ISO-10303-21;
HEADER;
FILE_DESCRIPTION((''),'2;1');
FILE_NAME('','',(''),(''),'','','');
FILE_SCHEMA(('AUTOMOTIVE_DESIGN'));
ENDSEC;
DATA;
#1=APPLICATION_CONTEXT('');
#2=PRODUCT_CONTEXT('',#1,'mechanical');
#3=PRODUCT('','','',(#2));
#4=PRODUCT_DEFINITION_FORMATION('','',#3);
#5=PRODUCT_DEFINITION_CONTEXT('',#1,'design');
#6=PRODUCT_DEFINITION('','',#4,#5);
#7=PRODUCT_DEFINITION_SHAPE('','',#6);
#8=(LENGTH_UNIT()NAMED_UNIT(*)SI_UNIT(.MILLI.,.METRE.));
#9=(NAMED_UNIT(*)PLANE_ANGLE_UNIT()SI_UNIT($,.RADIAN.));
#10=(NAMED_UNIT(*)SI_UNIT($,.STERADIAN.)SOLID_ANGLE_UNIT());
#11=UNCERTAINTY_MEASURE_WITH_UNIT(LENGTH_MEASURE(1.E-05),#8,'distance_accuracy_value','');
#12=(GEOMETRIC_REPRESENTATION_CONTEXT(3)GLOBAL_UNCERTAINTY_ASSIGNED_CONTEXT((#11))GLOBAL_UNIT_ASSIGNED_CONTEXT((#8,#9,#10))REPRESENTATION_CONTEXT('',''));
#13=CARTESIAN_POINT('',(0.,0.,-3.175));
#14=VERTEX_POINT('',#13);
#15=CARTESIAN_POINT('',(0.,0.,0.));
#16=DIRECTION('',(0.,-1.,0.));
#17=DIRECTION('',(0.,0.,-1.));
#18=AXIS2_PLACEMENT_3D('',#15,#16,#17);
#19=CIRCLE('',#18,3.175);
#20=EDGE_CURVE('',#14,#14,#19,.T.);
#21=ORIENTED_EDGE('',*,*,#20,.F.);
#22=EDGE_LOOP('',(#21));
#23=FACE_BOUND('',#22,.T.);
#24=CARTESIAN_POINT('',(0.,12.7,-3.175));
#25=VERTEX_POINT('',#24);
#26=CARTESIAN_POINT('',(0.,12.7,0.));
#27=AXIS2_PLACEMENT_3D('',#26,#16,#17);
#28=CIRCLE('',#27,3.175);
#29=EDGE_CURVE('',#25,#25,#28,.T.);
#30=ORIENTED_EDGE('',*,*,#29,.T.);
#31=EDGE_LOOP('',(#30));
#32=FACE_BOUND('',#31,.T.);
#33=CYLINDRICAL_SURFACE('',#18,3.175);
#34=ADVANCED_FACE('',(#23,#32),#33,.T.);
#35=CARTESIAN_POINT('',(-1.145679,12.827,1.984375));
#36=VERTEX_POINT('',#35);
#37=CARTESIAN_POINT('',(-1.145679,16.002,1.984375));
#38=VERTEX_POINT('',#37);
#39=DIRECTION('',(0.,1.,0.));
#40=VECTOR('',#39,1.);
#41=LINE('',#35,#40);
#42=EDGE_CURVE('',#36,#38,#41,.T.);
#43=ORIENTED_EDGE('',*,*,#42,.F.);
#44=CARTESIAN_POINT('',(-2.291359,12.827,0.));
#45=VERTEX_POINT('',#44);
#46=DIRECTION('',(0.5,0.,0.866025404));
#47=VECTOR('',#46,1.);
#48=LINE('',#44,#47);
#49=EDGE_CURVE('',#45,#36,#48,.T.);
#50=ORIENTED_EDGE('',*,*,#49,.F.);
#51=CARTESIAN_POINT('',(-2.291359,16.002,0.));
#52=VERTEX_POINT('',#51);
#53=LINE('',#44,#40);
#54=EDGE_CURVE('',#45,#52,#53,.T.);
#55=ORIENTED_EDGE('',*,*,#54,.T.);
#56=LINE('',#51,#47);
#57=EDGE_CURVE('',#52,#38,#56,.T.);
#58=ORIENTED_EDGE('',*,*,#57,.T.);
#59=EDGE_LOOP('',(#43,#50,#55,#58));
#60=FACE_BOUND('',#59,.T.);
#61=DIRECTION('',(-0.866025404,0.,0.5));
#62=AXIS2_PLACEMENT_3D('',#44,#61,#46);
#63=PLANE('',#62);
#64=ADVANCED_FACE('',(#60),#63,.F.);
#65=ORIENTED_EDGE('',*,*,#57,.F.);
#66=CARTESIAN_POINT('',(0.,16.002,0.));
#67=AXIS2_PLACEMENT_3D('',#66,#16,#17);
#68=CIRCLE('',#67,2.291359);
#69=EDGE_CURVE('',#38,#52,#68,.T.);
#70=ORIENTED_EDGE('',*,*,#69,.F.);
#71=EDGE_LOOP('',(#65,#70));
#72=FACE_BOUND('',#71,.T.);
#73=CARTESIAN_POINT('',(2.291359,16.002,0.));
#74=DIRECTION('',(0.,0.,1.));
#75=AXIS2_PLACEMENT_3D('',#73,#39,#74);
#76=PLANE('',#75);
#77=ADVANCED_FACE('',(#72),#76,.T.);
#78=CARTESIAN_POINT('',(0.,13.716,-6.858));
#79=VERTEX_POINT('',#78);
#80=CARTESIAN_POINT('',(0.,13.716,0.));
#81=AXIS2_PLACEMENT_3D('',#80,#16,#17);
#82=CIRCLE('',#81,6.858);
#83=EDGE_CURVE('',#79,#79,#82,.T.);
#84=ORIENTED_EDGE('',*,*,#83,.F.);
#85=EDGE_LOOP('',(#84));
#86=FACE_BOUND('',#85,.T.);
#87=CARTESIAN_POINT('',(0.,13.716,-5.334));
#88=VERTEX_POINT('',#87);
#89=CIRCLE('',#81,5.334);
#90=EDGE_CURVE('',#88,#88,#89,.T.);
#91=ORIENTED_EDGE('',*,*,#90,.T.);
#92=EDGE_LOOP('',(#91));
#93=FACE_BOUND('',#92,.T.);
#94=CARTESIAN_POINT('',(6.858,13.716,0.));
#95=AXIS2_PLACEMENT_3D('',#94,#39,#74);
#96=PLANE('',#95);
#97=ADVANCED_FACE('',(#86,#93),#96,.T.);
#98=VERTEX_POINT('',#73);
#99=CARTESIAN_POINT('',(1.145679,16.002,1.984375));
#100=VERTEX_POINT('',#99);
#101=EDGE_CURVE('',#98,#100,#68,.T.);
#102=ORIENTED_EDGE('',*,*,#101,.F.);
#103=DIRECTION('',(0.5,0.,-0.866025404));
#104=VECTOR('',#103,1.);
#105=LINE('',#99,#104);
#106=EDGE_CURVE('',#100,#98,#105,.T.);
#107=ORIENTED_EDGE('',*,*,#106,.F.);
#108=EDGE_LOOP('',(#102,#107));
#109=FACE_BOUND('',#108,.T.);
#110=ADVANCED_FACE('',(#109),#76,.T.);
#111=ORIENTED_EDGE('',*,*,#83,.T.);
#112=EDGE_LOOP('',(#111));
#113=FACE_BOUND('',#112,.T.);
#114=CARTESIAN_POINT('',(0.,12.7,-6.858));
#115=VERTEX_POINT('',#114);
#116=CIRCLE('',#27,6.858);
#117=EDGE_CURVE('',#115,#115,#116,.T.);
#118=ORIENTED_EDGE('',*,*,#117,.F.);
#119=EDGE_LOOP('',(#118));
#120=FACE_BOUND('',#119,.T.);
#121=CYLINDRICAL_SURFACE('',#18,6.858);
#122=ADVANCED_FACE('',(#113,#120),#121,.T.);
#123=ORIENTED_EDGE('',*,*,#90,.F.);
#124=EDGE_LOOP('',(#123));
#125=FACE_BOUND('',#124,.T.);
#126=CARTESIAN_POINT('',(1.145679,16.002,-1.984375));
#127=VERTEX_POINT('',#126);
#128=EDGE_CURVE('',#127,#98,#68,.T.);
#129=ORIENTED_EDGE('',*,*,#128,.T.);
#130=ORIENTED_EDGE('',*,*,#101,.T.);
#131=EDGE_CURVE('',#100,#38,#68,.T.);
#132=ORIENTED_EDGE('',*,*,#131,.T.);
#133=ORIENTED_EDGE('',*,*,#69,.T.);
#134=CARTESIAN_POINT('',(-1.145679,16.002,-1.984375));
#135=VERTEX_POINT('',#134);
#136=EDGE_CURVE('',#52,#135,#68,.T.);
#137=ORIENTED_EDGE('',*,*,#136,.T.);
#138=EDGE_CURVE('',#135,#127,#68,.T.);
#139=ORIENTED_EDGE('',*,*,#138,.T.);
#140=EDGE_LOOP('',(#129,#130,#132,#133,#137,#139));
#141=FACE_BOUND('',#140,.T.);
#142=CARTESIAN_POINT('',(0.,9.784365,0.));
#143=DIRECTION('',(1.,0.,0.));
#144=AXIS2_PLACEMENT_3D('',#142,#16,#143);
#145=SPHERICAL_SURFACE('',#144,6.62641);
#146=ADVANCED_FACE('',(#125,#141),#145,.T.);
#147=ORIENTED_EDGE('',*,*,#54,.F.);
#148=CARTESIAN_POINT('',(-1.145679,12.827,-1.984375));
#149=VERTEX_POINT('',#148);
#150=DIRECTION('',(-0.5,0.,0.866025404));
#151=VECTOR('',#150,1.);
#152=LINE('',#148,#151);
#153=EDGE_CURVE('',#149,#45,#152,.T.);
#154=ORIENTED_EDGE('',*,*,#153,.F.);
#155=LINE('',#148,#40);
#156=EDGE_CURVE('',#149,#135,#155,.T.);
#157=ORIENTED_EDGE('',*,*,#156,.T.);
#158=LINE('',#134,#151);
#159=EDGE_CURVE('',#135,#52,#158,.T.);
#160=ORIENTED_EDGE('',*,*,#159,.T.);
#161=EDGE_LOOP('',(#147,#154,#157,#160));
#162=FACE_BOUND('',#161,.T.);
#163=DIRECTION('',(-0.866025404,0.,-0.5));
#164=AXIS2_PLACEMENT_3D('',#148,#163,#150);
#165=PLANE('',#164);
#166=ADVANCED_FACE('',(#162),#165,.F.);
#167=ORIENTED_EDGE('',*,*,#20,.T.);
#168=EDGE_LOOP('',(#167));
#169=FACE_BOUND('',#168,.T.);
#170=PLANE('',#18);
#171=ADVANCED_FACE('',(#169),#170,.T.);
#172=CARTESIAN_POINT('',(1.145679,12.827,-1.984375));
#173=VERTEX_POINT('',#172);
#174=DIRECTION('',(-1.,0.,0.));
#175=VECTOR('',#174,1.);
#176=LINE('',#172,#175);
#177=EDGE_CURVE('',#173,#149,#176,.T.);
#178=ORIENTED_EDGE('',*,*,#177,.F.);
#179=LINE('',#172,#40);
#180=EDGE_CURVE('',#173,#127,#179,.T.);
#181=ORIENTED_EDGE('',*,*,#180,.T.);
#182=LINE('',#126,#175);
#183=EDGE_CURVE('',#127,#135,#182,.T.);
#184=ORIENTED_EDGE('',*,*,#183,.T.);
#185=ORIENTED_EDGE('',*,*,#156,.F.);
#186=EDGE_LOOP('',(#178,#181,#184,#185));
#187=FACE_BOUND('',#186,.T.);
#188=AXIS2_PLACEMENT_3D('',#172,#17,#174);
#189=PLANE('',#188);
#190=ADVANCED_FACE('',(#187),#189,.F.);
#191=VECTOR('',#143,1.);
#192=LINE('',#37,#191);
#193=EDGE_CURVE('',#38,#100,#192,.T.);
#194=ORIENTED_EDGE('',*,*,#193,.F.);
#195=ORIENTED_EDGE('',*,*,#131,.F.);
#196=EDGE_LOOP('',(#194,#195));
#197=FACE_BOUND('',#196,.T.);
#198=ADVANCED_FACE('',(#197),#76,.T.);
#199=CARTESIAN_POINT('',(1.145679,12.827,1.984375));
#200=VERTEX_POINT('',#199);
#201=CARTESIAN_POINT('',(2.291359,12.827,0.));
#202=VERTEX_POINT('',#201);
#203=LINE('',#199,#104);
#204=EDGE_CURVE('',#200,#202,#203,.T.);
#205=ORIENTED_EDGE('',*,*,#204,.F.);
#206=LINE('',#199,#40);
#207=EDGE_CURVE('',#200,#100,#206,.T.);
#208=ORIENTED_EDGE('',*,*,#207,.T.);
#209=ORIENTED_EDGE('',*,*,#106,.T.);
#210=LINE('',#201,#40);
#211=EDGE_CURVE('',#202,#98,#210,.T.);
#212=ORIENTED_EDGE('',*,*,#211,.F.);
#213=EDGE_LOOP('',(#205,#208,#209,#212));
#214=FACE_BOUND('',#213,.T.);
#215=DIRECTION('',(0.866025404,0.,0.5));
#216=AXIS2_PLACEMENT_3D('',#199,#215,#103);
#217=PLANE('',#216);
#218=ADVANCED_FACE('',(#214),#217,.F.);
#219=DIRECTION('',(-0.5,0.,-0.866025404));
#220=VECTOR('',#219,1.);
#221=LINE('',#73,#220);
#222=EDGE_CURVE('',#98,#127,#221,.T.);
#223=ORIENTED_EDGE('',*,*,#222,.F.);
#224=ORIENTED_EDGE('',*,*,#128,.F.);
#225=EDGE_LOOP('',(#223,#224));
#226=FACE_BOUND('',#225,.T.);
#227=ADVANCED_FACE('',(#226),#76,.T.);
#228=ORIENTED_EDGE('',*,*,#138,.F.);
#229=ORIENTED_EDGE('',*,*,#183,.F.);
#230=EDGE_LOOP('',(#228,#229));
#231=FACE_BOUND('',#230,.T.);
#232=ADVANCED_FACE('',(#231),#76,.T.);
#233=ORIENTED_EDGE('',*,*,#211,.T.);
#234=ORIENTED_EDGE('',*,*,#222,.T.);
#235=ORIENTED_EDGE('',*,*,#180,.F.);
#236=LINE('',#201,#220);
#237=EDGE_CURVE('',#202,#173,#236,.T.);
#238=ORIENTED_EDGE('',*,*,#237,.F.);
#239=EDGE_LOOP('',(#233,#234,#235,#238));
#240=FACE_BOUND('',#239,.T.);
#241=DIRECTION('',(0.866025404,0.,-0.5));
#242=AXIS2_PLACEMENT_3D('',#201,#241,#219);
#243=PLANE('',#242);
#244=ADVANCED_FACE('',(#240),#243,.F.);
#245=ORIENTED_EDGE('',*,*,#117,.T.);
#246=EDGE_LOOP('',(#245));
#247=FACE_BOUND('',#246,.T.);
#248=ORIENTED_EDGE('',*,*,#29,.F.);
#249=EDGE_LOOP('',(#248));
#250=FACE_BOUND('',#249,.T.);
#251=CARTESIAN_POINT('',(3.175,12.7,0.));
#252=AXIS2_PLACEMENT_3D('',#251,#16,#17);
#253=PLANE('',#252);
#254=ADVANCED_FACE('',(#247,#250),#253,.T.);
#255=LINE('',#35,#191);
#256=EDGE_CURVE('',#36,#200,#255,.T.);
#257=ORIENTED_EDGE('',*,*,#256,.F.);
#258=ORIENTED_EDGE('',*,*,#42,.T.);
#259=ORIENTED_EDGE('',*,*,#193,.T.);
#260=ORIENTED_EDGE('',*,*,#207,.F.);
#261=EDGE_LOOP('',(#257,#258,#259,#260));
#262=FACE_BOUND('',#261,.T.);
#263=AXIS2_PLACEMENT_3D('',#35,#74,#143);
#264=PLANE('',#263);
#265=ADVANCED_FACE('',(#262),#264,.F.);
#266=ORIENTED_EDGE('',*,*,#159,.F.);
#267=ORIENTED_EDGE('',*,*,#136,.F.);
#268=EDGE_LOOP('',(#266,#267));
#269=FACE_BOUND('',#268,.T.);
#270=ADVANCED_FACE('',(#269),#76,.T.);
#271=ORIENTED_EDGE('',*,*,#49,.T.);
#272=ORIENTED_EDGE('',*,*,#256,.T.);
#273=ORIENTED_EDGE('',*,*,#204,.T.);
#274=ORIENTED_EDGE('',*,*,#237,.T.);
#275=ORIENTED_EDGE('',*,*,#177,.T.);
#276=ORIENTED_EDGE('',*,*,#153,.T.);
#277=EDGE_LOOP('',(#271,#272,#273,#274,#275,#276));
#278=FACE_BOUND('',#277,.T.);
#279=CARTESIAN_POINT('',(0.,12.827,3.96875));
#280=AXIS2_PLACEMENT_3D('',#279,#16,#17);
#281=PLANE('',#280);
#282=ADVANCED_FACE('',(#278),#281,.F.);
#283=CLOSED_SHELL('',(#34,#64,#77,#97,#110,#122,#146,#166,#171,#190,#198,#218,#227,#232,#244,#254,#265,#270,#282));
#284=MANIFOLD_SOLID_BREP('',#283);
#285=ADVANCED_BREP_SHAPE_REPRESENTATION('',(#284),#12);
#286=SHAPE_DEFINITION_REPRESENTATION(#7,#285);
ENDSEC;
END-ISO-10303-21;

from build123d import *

# Parameters (mm, degrees)
HEX_CUT_DEPTH = 3.175


with BuildPart() as part:
    # Sketch1 → Screw revolve (revolve)
    with BuildSketch(Plane.XY, mode=Mode.PRIVATE) as screw_revolve_sk:
        with BuildLine():
            Line((0, 0), (3.175, 0))
            Line((3.175, 0), (3.175, 12.7))
            Line((3.175, 12.7), (6.858, 12.7))
            Line((6.858, 12.7), (6.858, 13.716))
            Line((6.858, 13.716), (5.334, 13.716))
            ThreePointArc((5.334, 13.716), (3.980323293, 15.082132143), (2.291358881, 16.002))
            Line((2.291358881, 16.002), (0, 16.002))
            Line((0, 16.002), (0, 0))
        make_face()
    revolve(screw_revolve_sk.sketch.rotate(Axis((0, 0, 0), (0, 1, 0)), 90), axis=Axis((0, 0, 0), (0, 1, 0)))

    # Sketch2 → Hex Cut (cut)
    with BuildSketch(Plane(origin=(0, 16.002, 0), x_dir=(-1, 0, 0), z_dir=(0, 1, 0))):
        Polygon((-2.291358881, 0), (-1.14567944, -1.984375), (1.14567944, -1.984375), (2.291358881, 0), (1.14567944, 1.984375), (-1.14567944, 1.984375), align=None)
    extrude(amount=-HEX_CUT_DEPTH, mode=Mode.SUBTRACT)


solid = part.part
